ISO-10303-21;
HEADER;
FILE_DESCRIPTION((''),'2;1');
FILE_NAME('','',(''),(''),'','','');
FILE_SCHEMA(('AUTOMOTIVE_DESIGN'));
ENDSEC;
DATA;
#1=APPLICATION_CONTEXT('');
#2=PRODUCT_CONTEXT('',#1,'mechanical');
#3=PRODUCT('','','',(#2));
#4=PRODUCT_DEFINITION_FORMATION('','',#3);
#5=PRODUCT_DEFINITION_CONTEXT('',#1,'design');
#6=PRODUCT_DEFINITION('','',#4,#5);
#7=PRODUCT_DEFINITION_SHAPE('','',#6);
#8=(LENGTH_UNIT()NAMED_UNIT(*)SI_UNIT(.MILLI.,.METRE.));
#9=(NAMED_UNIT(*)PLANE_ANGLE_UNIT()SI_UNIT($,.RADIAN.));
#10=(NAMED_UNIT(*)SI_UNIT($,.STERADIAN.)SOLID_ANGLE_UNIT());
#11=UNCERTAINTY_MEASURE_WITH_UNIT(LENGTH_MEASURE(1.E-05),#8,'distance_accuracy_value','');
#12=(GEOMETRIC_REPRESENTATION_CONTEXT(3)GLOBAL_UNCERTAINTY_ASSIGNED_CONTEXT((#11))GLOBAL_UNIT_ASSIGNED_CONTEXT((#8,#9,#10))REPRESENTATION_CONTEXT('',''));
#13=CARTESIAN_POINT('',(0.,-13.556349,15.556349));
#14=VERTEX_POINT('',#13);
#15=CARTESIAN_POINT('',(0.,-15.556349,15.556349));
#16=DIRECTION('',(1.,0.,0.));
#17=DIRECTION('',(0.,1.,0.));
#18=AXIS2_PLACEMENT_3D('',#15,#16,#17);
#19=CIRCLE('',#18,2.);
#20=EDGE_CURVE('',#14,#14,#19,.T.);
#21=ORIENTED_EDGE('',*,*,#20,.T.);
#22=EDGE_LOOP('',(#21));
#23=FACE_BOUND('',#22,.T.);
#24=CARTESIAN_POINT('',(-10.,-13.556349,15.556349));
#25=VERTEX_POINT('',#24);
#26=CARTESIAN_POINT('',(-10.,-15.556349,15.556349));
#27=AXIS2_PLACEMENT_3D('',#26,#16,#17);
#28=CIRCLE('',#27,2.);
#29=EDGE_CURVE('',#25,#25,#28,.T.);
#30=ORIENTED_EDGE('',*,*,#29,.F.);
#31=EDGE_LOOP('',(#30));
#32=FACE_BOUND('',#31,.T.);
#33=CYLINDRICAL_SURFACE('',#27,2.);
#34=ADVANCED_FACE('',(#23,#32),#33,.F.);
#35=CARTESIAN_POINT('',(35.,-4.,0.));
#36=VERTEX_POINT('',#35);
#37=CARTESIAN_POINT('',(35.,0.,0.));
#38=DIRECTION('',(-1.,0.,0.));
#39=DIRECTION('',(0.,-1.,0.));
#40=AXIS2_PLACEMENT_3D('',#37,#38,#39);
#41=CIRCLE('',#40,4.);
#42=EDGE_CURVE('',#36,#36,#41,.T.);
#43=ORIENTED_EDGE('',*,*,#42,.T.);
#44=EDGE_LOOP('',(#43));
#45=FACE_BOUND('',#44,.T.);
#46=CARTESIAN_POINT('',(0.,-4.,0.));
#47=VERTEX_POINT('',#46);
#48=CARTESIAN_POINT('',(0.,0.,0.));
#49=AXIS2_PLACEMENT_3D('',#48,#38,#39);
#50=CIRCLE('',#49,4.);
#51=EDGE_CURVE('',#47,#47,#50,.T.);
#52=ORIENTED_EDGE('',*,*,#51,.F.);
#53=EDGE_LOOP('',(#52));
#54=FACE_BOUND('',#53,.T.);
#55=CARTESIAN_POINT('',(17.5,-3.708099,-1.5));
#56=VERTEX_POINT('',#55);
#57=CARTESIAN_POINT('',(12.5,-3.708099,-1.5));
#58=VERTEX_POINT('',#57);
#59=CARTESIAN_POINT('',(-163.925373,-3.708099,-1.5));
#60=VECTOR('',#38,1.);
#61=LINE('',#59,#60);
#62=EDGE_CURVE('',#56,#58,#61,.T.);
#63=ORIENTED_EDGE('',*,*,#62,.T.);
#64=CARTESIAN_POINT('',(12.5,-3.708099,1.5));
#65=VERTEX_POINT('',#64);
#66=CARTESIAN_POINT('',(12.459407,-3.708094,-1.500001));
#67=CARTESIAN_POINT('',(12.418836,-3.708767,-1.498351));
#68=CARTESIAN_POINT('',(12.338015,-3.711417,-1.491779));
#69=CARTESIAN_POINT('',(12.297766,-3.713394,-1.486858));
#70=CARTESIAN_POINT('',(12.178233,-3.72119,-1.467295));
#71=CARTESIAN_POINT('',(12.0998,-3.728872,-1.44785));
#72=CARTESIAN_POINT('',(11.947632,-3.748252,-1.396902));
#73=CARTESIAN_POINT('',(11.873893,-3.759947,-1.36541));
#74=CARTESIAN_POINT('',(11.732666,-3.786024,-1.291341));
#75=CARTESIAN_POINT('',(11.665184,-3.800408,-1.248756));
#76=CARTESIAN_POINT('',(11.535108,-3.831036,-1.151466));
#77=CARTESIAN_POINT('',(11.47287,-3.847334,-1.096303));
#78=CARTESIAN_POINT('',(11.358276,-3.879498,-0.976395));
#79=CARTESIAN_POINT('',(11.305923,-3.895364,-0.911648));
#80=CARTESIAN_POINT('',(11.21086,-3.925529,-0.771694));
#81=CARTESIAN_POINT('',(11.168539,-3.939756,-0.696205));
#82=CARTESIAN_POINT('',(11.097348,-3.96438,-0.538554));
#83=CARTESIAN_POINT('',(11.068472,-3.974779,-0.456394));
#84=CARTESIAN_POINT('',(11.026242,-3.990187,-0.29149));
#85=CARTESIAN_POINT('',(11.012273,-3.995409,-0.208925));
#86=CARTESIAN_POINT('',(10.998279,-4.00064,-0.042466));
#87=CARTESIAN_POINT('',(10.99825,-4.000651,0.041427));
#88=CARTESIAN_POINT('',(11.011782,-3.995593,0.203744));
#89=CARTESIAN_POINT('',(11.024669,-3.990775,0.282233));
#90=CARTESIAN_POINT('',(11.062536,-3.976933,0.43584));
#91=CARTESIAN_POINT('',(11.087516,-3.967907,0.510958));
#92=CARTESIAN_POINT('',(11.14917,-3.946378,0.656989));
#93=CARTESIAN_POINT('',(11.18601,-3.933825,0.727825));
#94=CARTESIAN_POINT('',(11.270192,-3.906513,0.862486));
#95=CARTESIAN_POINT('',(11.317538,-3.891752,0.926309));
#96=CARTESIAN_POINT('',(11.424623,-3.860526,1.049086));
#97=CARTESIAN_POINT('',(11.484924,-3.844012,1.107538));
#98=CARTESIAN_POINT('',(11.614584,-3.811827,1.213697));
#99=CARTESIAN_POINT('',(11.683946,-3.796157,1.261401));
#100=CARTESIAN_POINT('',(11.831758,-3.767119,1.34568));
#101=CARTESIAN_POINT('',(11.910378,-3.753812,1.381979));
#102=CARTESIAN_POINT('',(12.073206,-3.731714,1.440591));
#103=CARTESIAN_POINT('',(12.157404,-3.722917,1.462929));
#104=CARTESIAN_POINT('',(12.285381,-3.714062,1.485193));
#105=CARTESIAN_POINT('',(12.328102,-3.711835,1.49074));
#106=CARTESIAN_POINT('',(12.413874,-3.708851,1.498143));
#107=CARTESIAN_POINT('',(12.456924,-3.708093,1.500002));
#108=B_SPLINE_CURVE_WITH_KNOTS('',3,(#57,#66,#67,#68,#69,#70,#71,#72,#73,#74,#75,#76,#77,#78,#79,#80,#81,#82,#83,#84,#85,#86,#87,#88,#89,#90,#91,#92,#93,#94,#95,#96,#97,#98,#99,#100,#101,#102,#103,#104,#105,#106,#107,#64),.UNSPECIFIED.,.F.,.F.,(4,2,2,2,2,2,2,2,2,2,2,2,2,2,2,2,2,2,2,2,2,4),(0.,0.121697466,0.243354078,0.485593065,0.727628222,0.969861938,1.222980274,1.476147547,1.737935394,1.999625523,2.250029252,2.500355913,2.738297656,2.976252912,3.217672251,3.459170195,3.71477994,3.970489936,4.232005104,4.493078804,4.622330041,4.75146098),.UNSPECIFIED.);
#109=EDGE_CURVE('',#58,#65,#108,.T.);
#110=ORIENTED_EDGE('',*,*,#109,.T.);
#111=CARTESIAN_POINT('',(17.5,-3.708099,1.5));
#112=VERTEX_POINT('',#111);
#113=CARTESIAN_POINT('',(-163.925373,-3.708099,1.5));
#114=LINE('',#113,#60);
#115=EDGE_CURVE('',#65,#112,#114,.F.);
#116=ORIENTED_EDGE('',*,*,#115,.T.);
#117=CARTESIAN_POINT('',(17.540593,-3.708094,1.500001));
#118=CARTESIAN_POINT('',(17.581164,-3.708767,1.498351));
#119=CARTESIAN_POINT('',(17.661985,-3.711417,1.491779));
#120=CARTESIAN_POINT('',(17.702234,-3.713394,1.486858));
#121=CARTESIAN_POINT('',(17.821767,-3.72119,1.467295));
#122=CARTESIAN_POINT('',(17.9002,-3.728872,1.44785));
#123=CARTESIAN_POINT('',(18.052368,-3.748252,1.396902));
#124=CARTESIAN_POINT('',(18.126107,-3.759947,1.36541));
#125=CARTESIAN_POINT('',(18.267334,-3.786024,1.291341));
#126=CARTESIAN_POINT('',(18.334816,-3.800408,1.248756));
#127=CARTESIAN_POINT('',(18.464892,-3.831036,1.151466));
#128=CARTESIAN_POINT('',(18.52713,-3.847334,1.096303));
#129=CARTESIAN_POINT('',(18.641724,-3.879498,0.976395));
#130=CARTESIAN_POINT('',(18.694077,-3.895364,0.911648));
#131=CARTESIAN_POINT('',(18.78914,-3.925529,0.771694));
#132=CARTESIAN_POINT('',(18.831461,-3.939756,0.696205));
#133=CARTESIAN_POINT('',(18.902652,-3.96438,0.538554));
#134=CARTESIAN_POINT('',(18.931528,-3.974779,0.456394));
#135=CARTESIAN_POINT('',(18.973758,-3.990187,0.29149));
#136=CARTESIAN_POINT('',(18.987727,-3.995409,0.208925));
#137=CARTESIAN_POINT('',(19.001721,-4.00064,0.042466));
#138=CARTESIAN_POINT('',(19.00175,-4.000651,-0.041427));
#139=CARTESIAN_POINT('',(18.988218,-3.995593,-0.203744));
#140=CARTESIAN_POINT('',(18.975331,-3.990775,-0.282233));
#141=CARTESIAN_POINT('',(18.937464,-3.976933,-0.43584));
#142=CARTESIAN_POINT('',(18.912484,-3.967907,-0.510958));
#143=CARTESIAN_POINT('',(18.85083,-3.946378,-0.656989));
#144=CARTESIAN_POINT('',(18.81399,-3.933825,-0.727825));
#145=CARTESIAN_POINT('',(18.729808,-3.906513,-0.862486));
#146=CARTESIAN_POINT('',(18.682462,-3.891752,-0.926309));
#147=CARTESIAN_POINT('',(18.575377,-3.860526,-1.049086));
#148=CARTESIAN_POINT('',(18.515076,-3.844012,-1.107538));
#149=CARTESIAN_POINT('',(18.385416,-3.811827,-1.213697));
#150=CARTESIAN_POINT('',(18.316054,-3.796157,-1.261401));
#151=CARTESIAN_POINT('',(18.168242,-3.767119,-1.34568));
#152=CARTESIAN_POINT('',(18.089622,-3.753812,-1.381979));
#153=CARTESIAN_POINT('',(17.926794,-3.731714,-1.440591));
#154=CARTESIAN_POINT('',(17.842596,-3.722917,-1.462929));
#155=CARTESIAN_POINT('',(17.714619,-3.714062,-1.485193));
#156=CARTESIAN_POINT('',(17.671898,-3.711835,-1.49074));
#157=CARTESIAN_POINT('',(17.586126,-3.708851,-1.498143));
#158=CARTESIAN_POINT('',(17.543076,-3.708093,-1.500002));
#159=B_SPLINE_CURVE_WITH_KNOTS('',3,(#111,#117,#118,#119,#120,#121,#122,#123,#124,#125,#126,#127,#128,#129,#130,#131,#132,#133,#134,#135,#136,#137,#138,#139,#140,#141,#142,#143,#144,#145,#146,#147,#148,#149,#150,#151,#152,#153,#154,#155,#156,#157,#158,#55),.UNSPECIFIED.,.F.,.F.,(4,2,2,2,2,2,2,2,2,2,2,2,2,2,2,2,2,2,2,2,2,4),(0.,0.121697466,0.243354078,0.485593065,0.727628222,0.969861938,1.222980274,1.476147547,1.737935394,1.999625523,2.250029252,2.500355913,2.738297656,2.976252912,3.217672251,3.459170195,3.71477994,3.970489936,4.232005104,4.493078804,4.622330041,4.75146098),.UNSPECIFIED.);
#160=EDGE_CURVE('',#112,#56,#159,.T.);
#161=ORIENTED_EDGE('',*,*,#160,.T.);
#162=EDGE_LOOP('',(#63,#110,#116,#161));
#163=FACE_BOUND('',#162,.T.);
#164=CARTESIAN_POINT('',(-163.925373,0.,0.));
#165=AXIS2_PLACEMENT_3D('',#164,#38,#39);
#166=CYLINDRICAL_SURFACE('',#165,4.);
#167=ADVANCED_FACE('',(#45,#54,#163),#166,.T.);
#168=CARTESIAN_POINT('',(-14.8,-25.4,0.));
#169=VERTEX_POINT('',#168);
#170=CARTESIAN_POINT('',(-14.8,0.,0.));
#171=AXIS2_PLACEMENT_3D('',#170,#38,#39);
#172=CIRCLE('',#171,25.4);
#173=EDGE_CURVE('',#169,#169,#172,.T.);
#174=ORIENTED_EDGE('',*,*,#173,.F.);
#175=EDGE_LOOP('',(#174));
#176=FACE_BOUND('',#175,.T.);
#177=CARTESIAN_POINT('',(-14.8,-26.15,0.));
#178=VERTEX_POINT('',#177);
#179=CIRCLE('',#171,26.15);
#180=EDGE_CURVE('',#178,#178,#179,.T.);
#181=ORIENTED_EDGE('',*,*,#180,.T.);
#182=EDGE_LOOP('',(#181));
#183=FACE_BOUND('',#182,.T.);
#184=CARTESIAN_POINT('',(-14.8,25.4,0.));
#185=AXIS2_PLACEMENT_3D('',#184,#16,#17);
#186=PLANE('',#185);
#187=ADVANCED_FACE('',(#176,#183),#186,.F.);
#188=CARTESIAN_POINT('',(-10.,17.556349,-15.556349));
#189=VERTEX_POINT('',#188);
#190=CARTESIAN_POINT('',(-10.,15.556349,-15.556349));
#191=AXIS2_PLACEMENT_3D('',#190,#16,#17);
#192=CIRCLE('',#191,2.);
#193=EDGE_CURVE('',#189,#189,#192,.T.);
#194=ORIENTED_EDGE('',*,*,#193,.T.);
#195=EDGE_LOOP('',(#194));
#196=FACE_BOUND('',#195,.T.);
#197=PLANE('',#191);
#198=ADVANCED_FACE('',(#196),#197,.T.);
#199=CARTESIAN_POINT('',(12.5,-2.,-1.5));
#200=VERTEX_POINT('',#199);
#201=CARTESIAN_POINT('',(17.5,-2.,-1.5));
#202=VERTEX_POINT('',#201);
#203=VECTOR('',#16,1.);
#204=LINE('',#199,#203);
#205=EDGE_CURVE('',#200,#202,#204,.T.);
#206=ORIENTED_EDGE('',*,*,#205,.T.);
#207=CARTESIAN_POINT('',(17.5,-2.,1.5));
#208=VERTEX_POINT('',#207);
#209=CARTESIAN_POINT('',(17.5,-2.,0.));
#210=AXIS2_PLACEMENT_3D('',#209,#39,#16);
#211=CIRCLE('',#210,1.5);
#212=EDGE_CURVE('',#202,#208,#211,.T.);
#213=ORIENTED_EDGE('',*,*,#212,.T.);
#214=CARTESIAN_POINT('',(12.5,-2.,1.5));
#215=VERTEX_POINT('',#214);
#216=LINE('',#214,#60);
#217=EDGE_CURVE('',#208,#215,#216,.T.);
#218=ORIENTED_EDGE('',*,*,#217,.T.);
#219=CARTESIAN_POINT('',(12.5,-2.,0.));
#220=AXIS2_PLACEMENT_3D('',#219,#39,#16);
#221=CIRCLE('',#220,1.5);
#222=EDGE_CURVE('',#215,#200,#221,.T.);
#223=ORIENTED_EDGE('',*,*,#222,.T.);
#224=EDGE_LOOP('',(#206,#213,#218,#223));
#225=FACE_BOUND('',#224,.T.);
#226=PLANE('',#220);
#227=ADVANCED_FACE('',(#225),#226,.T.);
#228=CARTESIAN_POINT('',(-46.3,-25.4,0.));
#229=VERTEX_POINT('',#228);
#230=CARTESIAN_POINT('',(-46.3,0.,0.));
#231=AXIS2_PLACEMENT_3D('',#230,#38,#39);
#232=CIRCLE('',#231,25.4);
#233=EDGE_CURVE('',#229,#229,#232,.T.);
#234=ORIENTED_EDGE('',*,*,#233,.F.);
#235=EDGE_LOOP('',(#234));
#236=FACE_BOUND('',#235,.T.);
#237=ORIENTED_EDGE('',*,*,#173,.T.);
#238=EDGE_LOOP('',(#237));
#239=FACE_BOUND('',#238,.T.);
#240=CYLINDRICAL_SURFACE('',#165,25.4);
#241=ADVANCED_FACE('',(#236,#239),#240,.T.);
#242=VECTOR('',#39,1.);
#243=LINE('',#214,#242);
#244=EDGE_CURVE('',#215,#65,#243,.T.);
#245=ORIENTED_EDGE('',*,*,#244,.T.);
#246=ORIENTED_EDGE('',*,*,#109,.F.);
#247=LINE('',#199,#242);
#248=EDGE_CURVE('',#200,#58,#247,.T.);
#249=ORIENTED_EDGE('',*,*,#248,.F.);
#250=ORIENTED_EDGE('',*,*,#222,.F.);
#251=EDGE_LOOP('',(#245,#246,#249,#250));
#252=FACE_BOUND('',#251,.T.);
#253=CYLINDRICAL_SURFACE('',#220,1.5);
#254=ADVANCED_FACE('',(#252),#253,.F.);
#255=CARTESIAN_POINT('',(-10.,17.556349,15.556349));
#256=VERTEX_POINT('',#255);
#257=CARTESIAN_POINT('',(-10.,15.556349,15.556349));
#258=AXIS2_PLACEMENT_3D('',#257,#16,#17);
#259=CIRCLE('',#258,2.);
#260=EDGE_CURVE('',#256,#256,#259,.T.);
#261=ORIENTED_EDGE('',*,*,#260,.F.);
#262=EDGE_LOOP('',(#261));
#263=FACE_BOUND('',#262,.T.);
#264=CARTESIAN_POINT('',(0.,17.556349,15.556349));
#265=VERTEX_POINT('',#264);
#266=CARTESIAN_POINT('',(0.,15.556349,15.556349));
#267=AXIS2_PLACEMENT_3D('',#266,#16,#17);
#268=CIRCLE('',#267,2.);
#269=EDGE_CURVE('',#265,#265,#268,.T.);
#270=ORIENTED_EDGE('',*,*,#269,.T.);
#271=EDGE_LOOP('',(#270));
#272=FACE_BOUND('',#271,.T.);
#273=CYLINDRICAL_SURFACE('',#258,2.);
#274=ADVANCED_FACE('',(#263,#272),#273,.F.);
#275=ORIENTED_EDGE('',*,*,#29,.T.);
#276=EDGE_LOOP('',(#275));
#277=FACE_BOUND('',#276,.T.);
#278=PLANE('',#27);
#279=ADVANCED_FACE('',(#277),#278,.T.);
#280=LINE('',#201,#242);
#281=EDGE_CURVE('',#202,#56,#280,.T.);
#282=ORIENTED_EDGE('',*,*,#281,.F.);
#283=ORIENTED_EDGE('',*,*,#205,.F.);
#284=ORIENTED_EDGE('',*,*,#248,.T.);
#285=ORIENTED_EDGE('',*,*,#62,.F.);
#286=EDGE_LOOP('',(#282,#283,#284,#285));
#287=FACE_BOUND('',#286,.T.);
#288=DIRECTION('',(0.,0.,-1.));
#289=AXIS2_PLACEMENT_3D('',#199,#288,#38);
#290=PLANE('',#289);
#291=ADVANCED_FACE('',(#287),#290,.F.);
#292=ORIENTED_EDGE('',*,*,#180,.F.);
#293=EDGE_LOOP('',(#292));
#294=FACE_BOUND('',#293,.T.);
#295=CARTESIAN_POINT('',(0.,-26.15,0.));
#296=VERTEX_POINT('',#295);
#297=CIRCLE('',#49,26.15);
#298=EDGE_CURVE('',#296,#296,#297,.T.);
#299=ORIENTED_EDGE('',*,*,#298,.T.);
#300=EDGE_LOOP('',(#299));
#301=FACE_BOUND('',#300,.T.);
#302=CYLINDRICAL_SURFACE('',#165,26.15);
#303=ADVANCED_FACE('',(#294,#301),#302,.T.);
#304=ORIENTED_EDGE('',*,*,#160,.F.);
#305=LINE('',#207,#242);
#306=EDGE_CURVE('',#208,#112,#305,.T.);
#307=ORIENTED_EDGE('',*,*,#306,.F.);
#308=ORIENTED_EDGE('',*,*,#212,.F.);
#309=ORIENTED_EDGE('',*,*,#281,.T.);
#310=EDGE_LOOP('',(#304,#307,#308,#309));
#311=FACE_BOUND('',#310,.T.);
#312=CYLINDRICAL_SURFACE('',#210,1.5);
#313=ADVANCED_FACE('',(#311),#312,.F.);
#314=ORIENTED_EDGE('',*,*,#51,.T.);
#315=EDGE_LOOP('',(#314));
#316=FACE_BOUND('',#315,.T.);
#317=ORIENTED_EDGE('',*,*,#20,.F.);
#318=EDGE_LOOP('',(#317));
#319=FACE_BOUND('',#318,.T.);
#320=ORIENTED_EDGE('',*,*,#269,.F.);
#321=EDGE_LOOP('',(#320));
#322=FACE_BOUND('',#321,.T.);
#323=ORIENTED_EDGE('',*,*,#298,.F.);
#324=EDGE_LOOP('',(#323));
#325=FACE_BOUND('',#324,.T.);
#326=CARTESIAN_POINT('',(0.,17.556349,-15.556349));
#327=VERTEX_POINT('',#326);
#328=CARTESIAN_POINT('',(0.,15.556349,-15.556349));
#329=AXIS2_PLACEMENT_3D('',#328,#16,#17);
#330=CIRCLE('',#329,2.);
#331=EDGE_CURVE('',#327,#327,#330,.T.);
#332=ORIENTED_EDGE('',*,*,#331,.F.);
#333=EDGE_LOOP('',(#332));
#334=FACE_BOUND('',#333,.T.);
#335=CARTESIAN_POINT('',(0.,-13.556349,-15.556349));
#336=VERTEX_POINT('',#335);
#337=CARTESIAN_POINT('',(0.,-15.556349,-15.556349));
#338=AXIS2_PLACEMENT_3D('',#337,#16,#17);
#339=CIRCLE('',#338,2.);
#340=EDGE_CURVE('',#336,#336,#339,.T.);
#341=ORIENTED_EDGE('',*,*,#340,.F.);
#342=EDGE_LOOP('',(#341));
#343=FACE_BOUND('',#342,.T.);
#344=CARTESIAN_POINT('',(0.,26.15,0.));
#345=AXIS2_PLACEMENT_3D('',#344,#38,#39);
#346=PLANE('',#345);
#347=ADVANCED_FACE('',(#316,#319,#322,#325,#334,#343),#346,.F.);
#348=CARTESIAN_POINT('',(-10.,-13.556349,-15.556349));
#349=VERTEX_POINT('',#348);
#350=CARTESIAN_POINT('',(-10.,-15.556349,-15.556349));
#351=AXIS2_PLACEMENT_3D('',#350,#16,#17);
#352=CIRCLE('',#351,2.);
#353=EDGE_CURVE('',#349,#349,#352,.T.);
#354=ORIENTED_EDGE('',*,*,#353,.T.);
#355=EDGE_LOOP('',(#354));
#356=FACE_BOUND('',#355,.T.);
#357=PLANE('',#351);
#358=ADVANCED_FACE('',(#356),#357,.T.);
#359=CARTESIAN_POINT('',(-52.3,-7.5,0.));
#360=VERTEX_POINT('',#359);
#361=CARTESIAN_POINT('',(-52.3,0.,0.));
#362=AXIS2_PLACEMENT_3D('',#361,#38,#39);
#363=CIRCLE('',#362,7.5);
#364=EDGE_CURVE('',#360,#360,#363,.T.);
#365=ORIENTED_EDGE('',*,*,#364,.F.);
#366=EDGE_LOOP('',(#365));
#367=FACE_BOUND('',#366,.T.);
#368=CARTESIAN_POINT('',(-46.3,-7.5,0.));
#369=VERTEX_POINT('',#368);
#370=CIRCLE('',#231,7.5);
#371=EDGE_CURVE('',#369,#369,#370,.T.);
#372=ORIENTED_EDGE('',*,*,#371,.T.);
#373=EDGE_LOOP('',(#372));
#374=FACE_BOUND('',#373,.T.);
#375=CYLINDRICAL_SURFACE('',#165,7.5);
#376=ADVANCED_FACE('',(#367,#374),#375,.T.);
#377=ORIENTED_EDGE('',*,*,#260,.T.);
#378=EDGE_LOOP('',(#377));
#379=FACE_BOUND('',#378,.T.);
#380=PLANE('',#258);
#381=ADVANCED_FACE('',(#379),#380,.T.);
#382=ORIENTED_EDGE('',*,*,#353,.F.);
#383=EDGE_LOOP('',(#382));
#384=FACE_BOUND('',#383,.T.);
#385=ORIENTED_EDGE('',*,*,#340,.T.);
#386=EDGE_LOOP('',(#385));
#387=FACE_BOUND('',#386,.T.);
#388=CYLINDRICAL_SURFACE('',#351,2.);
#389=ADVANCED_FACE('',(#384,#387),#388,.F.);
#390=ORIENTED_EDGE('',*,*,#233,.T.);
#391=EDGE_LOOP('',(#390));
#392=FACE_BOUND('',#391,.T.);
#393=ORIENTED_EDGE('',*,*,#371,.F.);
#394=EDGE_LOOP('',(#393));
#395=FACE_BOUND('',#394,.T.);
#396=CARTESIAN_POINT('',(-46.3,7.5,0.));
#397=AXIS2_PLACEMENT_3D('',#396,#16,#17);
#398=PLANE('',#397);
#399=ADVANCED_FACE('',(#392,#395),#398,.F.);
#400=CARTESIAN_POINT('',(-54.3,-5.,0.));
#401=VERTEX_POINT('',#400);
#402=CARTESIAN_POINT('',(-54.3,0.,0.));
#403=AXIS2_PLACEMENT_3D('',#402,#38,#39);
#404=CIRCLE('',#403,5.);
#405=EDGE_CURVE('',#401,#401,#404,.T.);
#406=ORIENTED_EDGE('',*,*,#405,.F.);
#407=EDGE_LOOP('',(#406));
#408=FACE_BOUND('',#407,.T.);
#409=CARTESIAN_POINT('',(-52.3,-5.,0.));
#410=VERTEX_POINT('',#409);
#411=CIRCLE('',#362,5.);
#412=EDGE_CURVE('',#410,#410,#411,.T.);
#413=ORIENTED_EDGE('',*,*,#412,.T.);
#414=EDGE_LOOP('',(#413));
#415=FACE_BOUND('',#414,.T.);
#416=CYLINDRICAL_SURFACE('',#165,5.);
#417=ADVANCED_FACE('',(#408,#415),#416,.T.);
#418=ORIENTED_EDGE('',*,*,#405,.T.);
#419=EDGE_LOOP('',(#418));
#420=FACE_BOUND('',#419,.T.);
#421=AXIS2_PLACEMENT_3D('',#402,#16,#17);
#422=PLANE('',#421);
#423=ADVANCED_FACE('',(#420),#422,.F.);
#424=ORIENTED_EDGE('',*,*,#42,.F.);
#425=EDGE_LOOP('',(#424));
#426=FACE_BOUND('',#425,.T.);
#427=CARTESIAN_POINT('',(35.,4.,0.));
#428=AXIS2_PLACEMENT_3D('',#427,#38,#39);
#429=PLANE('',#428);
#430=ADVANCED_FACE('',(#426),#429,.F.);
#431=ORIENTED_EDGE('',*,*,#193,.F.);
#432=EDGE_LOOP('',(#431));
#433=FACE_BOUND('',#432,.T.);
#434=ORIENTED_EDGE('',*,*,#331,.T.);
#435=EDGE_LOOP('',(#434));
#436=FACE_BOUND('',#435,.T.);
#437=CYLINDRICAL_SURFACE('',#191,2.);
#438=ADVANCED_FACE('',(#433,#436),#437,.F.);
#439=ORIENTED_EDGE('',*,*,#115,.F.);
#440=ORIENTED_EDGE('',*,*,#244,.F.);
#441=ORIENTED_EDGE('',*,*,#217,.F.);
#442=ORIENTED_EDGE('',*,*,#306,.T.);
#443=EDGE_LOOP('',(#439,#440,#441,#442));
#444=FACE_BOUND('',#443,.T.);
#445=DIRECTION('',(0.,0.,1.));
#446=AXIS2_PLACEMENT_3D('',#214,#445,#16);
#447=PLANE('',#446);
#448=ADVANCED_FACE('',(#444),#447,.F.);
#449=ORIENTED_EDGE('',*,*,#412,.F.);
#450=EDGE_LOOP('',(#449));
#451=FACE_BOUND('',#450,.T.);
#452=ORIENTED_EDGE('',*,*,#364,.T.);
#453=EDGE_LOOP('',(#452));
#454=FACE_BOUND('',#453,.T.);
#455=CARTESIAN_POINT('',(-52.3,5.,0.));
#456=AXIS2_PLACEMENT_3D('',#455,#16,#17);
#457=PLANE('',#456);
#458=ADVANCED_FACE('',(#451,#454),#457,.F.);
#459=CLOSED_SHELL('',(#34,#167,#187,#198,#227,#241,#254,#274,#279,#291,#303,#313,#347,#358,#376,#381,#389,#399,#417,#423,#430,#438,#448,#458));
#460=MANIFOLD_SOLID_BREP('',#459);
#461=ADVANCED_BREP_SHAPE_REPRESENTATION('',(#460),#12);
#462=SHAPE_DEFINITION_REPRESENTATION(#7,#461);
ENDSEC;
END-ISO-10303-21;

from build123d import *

# Parameters (mm, degrees)
SKETCH3_R          = 2
CUT_EXTRUDE1_DEPTH = 10
CUT_EXTRUDE2_DEPTH = 2


with BuildPart() as part:
    # Sketch2 → Revolve1 (revolve)
    with BuildSketch(Plane.XY, mode=Mode.PRIVATE) as revolve1_sk:
        Polygon((-54.3, 0), (-54.3, 5), (-52.3, 5), (-52.3, 7.5), (-46.3, 7.5), (-46.3, 25.4), (-14.8, 25.4), (-14.8, 26.15), (0, 26.15), (0, 4), (35, 4), (35, 0), align=None)
    revolve(revolve1_sk.sketch.rotate(Axis((-163.925373134, 0, 0), (1, 0, 0)), 180), axis=Axis((-163.925373134, 0, 0), (1, 0, 0)))

    # Sketch3 → Cut-Extrude1 (cut)
    with BuildSketch(Plane(origin=(0, 0, 0), x_dir=(0, 0, -1), z_dir=(1, 0, 0))):
        with Locations(Location((-15.556349186, -15.556349186, 0), (0, 0, 90))):
            Circle(SKETCH3_R)
        with Locations(Location((-15.556349186, 15.556349186, 0), (0, 0, 90))):
            Circle(SKETCH3_R)
        with Locations(Location((15.556349186, 15.556349186, 0), (0, 0, 90))):
            Circle(SKETCH3_R)
        with Locations(Location((15.556349186, -15.556349186, 0), (0, 0, 90))):
            Circle(SKETCH3_R)
    extrude(amount=-CUT_EXTRUDE1_DEPTH, mode=Mode.SUBTRACT)

    # Sketch5 → Cut-Extrude2 (cut)
    with BuildSketch(Plane(origin=(0, -4, 0), x_dir=(-1, 0, 0), z_dir=(0, -1, 0))):
        with BuildLine():
            Line((-12.5, -1.5), (-17.5, -1.5))
            ThreePointArc((-17.5, -1.5), (-19, 0), (-17.5, 1.5))
            Line((-17.5, 1.5), (-12.5, 1.5))
            ThreePointArc((-12.5, 1.5), (-11, 0), (-12.5, -1.5))
        make_face()
    extrude(amount=-CUT_EXTRUDE2_DEPTH, mode=Mode.SUBTRACT)


solid = part.part
